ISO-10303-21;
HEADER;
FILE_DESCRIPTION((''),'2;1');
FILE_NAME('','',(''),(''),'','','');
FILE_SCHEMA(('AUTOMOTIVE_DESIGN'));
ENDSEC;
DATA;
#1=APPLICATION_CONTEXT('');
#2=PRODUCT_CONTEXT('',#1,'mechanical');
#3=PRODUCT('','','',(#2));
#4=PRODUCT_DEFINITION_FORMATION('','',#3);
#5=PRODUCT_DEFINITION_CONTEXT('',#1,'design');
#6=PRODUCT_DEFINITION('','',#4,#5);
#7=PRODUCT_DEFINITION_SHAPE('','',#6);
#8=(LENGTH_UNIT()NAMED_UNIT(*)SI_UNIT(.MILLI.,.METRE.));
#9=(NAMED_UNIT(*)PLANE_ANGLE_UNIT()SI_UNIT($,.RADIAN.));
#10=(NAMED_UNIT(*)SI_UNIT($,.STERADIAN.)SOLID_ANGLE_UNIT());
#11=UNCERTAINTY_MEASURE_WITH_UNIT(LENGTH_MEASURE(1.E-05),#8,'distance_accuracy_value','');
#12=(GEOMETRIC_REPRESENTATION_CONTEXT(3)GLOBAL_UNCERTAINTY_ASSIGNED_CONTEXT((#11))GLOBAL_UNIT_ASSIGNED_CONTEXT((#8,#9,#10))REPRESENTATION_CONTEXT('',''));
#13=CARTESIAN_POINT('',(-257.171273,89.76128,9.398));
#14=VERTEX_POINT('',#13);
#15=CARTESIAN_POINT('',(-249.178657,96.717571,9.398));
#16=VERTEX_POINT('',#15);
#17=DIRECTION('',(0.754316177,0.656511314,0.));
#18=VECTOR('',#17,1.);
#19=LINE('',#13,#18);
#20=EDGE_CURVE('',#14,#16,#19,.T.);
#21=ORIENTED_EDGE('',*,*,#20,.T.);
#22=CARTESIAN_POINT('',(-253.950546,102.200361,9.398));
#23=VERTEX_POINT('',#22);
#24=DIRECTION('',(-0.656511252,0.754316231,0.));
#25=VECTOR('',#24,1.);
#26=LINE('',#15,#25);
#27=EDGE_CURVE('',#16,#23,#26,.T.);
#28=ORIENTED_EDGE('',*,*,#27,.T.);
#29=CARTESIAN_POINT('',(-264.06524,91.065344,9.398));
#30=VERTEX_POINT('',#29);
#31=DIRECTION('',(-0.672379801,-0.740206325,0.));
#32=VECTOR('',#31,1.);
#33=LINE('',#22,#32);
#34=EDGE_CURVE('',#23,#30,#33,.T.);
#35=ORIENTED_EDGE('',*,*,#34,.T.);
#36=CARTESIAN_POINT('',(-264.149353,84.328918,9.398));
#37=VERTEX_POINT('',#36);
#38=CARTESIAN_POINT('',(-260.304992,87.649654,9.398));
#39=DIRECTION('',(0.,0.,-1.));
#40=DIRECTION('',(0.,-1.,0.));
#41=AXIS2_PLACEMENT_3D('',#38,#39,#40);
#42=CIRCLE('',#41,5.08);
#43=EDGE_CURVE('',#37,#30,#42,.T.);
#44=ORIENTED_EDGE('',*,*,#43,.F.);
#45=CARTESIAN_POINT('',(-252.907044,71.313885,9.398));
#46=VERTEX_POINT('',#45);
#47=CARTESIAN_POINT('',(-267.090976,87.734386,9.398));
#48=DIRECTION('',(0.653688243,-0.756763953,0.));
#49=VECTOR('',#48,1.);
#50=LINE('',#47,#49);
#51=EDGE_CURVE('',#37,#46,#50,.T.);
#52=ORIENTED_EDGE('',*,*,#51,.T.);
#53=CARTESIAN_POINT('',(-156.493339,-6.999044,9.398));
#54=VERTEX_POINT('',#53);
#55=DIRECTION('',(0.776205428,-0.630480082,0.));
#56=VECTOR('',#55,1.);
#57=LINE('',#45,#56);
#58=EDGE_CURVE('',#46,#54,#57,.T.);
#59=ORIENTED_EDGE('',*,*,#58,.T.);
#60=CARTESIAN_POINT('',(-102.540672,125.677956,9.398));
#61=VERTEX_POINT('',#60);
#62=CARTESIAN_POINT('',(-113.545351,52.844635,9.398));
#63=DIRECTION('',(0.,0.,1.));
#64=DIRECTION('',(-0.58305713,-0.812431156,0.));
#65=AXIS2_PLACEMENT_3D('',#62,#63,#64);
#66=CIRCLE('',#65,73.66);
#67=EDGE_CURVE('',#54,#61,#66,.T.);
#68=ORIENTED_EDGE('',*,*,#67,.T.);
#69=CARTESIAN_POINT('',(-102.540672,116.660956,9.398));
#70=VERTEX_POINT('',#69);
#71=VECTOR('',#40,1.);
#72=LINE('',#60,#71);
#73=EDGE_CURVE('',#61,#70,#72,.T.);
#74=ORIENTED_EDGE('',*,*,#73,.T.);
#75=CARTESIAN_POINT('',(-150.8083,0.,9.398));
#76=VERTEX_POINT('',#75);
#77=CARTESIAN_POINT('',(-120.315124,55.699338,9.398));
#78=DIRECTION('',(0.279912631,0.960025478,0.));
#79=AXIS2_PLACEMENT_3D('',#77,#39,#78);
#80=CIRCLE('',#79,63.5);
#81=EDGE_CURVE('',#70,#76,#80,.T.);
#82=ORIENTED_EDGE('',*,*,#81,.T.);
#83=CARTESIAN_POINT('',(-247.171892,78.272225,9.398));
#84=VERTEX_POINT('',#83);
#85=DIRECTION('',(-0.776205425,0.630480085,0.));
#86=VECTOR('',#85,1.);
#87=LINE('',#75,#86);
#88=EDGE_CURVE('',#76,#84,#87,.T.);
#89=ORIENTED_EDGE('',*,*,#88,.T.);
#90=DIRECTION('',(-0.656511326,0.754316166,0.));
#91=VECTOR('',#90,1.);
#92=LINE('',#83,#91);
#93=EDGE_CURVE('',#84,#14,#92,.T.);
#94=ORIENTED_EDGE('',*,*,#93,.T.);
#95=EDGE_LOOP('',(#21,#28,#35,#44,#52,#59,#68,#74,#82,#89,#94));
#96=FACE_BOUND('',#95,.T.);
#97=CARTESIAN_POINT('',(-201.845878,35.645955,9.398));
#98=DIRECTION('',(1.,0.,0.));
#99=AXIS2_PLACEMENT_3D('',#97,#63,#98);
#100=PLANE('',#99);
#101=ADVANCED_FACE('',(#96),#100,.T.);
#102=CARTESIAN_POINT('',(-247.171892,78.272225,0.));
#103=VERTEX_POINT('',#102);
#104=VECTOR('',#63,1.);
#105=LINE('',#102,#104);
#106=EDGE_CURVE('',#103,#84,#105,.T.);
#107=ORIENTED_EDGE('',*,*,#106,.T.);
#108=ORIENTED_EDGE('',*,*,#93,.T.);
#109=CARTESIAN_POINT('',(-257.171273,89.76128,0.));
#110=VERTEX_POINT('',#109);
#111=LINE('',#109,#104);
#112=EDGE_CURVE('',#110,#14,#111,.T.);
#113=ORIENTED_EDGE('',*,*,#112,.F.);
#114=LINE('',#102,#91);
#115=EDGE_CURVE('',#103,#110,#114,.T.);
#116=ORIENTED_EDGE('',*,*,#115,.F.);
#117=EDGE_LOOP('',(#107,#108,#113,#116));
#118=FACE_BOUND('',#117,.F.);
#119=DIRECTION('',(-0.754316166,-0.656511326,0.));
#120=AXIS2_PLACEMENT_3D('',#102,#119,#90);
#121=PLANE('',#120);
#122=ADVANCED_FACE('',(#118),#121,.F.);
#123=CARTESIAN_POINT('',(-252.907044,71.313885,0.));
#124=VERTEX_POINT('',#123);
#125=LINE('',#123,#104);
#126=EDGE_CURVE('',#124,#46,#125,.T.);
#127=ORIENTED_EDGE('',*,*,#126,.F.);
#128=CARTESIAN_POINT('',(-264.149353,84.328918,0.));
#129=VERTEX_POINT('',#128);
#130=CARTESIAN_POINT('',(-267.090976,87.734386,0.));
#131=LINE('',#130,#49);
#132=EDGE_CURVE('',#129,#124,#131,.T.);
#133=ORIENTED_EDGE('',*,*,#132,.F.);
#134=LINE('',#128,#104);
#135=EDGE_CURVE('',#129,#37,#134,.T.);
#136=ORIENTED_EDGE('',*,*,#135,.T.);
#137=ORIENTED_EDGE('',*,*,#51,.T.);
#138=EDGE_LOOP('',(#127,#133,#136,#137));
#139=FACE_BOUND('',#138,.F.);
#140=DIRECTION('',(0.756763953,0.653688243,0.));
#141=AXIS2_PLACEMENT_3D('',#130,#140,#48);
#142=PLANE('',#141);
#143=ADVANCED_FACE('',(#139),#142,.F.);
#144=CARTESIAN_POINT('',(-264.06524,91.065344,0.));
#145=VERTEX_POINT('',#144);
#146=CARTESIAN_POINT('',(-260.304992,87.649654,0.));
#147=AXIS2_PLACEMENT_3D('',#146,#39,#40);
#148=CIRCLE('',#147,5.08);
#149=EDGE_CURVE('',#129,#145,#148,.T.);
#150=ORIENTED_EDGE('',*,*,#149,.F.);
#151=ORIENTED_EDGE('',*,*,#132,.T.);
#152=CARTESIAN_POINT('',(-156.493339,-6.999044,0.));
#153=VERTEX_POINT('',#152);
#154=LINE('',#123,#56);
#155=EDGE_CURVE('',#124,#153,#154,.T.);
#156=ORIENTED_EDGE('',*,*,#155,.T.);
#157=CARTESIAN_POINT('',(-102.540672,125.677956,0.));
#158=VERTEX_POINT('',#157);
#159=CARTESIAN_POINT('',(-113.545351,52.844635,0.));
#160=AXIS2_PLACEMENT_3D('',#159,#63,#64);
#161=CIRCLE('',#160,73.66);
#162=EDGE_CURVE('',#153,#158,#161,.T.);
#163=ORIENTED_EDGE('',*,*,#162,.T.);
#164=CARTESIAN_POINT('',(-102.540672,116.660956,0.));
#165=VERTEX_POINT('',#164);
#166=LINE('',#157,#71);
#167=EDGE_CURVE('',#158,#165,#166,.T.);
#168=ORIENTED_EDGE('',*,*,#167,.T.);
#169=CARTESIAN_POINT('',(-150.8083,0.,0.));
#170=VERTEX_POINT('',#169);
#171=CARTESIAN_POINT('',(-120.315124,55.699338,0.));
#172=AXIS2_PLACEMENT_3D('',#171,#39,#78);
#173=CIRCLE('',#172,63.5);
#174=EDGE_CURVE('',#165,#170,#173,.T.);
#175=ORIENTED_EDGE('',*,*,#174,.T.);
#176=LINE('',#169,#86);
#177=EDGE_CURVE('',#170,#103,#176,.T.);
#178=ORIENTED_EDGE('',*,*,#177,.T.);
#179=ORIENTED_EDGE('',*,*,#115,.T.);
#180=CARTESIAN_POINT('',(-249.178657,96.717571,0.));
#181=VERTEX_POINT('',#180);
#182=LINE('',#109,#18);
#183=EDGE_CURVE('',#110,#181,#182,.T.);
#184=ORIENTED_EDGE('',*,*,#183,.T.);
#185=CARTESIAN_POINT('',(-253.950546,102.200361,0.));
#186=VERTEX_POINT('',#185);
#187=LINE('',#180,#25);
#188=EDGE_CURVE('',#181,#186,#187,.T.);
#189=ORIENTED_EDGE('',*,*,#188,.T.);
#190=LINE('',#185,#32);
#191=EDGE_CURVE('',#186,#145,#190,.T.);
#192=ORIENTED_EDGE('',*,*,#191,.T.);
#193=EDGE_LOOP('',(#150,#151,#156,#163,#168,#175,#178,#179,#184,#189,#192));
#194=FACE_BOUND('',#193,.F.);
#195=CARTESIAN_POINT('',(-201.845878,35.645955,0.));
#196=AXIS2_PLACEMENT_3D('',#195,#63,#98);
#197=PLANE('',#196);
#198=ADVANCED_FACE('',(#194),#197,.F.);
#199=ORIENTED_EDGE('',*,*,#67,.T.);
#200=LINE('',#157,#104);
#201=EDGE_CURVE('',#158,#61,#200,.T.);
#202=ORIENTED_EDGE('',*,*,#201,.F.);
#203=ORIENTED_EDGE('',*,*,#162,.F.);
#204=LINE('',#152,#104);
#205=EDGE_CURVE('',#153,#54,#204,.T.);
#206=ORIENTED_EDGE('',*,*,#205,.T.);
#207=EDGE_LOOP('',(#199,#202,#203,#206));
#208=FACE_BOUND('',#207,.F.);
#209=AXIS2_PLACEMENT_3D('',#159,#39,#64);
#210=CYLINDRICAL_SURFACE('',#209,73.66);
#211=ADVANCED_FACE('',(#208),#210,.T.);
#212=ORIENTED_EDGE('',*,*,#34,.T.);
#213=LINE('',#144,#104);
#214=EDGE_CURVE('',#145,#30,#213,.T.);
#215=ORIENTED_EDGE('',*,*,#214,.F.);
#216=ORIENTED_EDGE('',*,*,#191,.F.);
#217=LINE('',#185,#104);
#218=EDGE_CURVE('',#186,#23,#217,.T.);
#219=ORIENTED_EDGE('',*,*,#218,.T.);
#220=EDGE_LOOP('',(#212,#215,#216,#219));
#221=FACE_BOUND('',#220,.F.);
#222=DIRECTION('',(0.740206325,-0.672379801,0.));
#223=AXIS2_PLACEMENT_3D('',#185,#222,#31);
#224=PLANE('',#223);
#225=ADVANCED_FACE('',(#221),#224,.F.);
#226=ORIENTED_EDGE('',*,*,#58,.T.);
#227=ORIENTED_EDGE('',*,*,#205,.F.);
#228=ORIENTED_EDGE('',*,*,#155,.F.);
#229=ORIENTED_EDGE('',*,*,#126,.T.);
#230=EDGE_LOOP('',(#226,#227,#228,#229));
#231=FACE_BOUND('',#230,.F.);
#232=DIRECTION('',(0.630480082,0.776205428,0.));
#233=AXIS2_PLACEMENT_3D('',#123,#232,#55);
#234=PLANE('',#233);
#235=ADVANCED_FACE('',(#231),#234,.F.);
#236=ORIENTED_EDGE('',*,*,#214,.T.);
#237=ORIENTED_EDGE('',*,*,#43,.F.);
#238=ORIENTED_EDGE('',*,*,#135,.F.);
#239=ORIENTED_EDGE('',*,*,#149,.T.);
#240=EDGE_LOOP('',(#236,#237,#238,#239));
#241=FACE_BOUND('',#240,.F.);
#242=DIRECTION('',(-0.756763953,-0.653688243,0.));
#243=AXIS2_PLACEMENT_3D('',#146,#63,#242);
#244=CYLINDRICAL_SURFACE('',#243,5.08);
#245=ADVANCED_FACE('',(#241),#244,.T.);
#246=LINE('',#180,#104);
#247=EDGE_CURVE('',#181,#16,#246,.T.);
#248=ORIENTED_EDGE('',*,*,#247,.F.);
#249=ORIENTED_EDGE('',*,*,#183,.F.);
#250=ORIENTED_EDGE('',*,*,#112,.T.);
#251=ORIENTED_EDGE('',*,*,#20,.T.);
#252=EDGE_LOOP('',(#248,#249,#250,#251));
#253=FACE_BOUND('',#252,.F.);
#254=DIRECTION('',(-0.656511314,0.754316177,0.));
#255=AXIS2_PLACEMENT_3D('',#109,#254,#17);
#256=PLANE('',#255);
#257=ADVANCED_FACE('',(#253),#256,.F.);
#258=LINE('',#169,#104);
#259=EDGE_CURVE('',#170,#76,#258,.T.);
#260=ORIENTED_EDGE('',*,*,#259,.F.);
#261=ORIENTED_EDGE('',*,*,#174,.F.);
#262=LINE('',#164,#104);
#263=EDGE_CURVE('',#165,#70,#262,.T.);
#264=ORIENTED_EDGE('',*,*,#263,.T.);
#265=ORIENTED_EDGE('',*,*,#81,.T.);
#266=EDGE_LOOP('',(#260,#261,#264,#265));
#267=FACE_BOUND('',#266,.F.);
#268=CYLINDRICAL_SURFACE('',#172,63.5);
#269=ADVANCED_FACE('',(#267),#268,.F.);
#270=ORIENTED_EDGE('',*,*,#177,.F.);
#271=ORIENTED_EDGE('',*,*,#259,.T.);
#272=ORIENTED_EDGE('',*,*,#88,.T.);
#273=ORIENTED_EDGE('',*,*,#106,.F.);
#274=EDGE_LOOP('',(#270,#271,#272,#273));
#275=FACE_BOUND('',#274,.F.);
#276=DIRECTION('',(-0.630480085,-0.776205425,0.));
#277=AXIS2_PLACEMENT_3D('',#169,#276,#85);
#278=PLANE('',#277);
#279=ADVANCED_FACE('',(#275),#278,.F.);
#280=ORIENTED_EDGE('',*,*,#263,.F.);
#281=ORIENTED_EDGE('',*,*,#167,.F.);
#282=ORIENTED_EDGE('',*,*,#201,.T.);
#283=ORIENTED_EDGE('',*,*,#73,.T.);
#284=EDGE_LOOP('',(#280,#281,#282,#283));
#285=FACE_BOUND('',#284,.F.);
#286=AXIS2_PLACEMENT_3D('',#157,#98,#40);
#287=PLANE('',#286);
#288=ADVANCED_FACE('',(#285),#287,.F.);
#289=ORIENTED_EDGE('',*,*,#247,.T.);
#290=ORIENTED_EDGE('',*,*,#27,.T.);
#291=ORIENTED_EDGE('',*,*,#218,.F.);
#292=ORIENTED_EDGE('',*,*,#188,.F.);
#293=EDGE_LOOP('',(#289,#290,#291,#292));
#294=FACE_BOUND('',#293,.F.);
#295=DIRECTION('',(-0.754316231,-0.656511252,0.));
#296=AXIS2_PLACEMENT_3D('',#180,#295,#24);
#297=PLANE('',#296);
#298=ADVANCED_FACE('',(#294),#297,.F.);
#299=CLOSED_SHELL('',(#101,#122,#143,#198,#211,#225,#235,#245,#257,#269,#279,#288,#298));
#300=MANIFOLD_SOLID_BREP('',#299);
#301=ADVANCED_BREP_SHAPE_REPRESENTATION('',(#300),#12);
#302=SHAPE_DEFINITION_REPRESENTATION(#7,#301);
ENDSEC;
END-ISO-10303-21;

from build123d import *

# Parameters (mm, degrees)
F1_DEPTH = 9.398
F2_DEPTH = 9.398
F3_R     = 5.08


with BuildPart() as f1:
    # F0 (on Top) → F1 (new body)
    with BuildSketch(Plane.XY):
        Polygon((-252.907044, 71.313885), (-156.493339, -6.999044), (-150.8083, 0), (-247.171892, 78.272225), align=None)
        with BuildLine():
            Line((-150.8083, 0), (-156.493339, -6.999044))
            ThreePointArc((-156.493339, -6.999044), (-45.311266, 25.097468), (-102.540672, 125.677956))
            Line((-102.540672, 125.677956), (-102.540672, 116.660956))
            ThreePointArc((-102.540672, 116.660956), (-61.639012, 31.42252), (-150.8083, 0))
        make_face()
    extrude(amount=F1_DEPTH)

    # F0 (on Top) → F2 (join)
    with BuildSketch(Plane.XY):
        with BuildLine():
            Line((-150.8083, 0), (-156.493339, -6.999044))
            ThreePointArc((-156.493339, -6.999044), (-45.311266, 25.097468), (-102.540672, 125.677956))
            Line((-102.540672, 125.677956), (-102.540672, 116.660956))
            ThreePointArc((-102.540672, 116.660956), (-61.639012, 31.42252), (-150.8083, 0))
        make_face()
        Polygon((-252.907044, 71.313885), (-156.493339, -6.999044), (-150.8083, 0), (-247.171892, 78.272225), align=None)
        Polygon((-267.090976, 87.734386), (-252.907044, 71.313885), (-247.171892, 78.272225), (-257.171273, 89.76128), (-249.178657, 96.717571), (-253.950546, 102.200361), align=None)
    extrude(amount=F2_DEPTH)

    # F3
    f3_edges = [f1.edges().sort_by_distance(p)[0] for p in [
        (-267.090976, 87.734386, 4.699),
    ]]
    fillet(f3_edges, radius=F3_R)


solid = f1.part
